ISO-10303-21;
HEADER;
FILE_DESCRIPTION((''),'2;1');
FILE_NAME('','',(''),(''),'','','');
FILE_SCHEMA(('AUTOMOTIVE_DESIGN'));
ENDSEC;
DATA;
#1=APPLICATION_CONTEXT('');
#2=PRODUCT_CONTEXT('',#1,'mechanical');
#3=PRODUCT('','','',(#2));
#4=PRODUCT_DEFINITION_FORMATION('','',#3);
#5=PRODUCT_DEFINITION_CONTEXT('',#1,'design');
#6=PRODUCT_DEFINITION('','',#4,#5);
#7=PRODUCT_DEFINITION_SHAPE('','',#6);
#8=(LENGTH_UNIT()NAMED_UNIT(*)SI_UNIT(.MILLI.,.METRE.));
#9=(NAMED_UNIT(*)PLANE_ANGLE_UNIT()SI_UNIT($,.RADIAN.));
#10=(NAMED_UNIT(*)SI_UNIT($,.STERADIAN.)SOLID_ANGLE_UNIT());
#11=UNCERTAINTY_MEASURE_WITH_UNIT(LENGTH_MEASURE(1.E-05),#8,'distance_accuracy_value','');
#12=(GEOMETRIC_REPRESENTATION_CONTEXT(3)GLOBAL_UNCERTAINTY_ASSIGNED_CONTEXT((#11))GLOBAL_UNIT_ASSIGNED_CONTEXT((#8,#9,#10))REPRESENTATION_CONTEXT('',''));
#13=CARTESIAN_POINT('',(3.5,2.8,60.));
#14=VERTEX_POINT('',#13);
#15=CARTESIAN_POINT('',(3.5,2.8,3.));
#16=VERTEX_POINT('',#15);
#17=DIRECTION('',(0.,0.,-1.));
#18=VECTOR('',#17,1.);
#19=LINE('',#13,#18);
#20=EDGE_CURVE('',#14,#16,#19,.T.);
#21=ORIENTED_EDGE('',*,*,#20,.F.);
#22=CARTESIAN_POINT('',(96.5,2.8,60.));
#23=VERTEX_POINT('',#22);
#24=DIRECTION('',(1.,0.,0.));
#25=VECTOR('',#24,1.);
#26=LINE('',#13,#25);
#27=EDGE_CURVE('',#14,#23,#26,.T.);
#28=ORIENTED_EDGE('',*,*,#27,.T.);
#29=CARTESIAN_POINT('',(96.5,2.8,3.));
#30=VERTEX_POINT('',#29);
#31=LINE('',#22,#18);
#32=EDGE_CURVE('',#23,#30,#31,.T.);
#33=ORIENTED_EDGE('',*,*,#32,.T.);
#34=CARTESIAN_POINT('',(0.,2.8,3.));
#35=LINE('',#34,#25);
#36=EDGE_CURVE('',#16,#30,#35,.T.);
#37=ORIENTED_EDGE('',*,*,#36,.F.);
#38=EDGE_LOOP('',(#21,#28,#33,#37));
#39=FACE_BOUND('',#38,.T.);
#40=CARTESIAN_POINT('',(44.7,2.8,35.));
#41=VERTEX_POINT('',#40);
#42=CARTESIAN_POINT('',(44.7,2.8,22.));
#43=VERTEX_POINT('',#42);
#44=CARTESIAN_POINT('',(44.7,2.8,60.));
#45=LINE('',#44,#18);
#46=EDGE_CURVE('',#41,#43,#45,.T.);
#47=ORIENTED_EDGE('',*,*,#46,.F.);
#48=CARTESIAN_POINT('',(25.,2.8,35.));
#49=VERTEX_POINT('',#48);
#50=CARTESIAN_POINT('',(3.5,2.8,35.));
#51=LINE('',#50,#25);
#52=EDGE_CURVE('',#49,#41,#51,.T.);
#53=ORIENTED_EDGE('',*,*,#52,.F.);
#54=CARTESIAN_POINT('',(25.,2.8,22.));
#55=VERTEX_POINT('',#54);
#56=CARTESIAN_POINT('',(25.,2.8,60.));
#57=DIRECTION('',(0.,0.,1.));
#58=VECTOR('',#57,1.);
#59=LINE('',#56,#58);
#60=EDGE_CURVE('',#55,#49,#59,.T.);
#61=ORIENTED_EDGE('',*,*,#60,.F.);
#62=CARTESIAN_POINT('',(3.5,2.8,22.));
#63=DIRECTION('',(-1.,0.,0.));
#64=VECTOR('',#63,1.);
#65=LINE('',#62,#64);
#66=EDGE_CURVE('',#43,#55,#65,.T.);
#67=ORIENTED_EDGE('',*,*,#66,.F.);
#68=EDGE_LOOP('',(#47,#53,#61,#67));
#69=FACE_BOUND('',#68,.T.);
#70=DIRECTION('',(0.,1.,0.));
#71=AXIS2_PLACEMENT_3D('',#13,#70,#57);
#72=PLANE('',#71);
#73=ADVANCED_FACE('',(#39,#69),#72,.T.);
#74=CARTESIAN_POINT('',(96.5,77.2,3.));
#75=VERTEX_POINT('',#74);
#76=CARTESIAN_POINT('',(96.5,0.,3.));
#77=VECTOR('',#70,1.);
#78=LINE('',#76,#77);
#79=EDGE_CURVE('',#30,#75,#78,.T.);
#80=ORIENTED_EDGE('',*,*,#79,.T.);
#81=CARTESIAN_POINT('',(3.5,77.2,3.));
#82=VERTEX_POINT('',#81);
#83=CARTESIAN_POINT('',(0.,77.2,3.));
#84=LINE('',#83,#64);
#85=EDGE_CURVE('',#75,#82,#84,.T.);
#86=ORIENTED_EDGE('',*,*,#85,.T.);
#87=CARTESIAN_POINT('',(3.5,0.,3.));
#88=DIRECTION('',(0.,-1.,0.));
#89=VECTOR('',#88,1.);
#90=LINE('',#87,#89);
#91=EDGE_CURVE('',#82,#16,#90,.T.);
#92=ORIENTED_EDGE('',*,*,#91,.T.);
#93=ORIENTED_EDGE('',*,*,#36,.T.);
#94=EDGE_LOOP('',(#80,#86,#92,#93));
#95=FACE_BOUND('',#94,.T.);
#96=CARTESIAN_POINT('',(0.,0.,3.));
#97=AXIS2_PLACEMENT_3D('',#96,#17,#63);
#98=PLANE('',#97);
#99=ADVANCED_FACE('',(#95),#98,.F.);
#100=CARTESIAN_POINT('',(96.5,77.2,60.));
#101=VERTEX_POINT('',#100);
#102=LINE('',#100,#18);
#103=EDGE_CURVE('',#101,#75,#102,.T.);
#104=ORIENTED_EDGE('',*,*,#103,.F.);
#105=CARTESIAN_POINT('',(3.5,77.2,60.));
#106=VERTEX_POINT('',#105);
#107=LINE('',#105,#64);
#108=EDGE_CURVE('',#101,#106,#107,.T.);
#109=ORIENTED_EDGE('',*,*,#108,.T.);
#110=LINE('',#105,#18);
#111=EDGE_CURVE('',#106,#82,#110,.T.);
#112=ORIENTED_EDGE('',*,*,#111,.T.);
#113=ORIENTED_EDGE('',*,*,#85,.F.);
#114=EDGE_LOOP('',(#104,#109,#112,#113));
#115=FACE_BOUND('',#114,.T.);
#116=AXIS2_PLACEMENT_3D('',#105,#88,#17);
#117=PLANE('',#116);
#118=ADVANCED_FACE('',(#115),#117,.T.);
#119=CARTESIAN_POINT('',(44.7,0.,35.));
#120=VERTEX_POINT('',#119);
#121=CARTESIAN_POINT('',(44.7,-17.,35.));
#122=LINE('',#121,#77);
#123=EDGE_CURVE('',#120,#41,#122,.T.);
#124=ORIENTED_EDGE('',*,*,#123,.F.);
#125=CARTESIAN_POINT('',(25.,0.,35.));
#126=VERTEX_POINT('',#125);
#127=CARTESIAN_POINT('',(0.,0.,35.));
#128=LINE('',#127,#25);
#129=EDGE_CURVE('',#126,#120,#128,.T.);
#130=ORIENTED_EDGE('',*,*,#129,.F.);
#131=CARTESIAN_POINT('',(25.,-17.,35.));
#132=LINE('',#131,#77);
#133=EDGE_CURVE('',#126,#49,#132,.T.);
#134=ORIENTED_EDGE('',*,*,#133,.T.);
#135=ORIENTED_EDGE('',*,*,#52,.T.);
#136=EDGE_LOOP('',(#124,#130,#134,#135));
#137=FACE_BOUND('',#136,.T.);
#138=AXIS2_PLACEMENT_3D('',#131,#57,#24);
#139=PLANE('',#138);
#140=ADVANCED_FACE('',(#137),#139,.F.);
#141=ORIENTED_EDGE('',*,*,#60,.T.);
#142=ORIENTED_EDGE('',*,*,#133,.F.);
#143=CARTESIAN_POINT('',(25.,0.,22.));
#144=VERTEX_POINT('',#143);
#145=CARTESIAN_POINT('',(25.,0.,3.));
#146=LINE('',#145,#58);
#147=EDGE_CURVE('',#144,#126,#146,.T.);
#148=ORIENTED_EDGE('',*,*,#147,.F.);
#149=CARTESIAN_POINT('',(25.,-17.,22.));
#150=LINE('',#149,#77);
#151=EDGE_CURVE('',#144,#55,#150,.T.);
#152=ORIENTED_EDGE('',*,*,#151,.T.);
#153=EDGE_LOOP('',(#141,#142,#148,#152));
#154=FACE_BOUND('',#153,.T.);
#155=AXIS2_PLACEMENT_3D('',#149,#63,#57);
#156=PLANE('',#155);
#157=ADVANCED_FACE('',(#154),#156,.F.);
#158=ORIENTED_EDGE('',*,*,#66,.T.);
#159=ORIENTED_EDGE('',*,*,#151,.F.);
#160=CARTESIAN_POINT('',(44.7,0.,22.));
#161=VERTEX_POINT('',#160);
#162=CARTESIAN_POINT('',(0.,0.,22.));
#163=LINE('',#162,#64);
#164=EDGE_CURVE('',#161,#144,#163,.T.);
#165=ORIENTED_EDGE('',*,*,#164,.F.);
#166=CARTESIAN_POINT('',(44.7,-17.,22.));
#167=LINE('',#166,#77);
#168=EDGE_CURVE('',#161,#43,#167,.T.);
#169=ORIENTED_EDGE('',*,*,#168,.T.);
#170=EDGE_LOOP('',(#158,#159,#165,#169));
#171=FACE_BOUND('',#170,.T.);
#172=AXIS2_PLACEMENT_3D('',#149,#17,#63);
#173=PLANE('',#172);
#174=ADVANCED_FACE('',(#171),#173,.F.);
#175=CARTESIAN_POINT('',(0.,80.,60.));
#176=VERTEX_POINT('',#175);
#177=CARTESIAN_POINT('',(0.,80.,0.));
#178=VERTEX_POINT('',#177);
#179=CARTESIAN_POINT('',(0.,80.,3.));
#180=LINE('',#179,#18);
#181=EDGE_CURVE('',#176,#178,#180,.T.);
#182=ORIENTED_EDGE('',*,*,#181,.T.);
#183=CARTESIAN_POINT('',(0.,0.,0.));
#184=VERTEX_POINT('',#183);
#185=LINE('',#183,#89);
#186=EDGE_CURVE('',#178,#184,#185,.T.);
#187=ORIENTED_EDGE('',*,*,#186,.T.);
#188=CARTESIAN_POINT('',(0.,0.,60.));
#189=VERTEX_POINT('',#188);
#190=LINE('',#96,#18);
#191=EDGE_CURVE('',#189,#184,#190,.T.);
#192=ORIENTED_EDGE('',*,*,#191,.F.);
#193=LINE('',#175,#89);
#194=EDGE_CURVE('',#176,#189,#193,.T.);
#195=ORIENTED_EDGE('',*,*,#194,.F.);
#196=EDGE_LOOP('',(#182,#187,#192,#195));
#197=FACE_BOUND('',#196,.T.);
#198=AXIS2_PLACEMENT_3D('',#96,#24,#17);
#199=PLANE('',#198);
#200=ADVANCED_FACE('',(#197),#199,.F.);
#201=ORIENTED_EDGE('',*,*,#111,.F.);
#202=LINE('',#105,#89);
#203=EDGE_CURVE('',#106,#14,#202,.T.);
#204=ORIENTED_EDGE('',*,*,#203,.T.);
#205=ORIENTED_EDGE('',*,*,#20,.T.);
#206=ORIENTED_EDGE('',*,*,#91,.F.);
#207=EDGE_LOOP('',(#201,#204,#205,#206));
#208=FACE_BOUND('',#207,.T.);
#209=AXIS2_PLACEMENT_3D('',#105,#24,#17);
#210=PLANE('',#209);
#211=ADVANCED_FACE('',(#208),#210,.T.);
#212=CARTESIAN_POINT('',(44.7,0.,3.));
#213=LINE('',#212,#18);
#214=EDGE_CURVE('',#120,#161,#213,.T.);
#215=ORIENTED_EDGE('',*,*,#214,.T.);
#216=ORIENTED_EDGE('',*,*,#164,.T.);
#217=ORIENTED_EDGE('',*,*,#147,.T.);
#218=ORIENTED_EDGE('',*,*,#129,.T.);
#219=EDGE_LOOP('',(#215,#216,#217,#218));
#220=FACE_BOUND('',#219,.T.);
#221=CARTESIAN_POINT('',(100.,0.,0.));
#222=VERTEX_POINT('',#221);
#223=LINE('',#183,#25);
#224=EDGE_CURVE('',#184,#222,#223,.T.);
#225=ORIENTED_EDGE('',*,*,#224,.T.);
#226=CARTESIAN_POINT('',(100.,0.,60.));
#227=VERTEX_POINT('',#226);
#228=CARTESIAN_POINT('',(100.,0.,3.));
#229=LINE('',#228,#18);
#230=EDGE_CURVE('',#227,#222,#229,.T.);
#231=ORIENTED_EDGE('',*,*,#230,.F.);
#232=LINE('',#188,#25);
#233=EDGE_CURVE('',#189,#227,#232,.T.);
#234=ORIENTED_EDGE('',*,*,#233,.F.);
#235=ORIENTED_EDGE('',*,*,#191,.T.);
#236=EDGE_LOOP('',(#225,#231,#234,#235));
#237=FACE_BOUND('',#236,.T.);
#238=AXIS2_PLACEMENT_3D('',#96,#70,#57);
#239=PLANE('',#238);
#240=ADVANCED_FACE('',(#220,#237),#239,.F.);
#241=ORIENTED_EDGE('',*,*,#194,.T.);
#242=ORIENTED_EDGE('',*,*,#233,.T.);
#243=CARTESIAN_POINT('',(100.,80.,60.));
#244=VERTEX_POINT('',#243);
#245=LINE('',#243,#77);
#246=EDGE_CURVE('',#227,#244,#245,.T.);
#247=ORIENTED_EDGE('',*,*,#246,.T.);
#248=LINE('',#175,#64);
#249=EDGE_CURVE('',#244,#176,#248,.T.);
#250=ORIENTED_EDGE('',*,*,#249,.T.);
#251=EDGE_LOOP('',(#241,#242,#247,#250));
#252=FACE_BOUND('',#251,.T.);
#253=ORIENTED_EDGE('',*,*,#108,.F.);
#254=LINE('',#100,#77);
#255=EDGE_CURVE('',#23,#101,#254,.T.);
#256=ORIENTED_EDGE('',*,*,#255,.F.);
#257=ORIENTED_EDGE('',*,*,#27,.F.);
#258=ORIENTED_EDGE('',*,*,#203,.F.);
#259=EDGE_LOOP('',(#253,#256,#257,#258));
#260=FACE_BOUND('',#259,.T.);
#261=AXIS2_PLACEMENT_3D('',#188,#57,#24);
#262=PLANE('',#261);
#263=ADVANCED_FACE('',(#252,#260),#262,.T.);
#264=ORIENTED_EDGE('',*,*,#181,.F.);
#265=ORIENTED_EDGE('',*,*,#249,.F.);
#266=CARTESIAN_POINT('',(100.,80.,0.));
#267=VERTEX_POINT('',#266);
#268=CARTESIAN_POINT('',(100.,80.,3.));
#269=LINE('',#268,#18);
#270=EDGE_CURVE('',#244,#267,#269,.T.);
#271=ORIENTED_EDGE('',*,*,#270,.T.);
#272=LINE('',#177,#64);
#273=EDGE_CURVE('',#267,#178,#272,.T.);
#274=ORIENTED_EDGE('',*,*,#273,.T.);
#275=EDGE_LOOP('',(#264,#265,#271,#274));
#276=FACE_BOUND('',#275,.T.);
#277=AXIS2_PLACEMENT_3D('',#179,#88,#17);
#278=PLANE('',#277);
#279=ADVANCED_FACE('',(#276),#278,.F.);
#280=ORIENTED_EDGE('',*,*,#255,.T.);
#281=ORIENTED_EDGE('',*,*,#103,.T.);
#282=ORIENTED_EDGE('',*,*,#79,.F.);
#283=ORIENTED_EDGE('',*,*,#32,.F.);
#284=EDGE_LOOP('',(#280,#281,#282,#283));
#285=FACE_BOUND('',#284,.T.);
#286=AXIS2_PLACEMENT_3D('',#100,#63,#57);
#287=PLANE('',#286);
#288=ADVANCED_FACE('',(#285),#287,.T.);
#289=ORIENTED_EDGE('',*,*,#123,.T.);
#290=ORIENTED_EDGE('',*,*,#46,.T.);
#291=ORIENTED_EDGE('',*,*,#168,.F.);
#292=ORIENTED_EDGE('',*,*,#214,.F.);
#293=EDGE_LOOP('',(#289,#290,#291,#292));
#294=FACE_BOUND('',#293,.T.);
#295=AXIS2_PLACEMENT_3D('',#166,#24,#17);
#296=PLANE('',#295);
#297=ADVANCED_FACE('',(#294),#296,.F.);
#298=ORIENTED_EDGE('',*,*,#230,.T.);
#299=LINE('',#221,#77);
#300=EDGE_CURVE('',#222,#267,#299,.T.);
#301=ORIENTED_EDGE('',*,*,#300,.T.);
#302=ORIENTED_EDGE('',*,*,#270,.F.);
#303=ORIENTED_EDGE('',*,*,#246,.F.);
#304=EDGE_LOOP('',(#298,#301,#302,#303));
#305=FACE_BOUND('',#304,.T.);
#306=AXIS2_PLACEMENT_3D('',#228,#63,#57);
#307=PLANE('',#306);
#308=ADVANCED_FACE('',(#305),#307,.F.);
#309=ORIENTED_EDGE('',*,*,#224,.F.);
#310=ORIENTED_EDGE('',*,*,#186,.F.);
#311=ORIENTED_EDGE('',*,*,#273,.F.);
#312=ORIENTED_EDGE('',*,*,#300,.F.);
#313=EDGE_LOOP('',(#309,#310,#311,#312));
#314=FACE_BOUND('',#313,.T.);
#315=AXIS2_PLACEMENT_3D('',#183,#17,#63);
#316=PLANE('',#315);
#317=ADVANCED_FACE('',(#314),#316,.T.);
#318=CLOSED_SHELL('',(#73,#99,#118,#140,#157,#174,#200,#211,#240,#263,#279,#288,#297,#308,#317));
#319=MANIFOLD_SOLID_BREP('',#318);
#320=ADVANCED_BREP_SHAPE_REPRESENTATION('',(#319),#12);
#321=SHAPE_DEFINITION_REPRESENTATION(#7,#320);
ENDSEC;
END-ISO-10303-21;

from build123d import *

# Parameters (mm, degrees)
ESBO_O1_W                  = 100
ESBO_O1_H                  = 80
RESSALTO_EXTRUS_O1_DEPTH   = 3
ESBO_O2_W                  = 100
ESBO_O2_H                  = 80
ESBO_O2_W_2                = 93
ESBO_O2_H_2                = 74.4
RESSALTO_EXTRUS_O2_DEPTH   = 60
ESBO_O3_W                  = 19.7
ESBO_O3_H                  = 13
CORTE_EXTRUS_O1_DEPTH      = 10
CORTE_EXTRUS_O1_DEPTH_BACK = 17


with BuildPart() as part:
    # Esboço1 → Ressalto-extrusão1 (new body)
    with BuildSketch(Plane.XY):
        with Locations((50, 40)):
            Rectangle(ESBO_O1_W, ESBO_O1_H)
    extrude(amount=RESSALTO_EXTRUS_O1_DEPTH)

    # Esboço2 → Ressalto-extrusão2 (add)
    with BuildSketch(Plane.XY):
        with Locations((50, 40)):
            Rectangle(ESBO_O2_W, ESBO_O2_H)
        with Locations((50, 40)):
            Rectangle(ESBO_O2_W_2, ESBO_O2_H_2, mode=Mode.SUBTRACT)
    extrude(amount=RESSALTO_EXTRUS_O2_DEPTH)

    # Esboço3 → Corte-extrusão1 (cut, two sides)
    with BuildSketch(Plane(origin=(0, 0, 0), x_dir=(1, 0, 0), z_dir=(0, 1, 0))) as corte_extrus_o1_sk:
        with Locations((34.85, -28.5)):
            Rectangle(ESBO_O3_W, ESBO_O3_H)
    extrude(amount=CORTE_EXTRUS_O1_DEPTH, mode=Mode.SUBTRACT)
    extrude(corte_extrus_o1_sk.sketch, amount=-CORTE_EXTRUS_O1_DEPTH_BACK, mode=Mode.SUBTRACT)


solid = part.part
